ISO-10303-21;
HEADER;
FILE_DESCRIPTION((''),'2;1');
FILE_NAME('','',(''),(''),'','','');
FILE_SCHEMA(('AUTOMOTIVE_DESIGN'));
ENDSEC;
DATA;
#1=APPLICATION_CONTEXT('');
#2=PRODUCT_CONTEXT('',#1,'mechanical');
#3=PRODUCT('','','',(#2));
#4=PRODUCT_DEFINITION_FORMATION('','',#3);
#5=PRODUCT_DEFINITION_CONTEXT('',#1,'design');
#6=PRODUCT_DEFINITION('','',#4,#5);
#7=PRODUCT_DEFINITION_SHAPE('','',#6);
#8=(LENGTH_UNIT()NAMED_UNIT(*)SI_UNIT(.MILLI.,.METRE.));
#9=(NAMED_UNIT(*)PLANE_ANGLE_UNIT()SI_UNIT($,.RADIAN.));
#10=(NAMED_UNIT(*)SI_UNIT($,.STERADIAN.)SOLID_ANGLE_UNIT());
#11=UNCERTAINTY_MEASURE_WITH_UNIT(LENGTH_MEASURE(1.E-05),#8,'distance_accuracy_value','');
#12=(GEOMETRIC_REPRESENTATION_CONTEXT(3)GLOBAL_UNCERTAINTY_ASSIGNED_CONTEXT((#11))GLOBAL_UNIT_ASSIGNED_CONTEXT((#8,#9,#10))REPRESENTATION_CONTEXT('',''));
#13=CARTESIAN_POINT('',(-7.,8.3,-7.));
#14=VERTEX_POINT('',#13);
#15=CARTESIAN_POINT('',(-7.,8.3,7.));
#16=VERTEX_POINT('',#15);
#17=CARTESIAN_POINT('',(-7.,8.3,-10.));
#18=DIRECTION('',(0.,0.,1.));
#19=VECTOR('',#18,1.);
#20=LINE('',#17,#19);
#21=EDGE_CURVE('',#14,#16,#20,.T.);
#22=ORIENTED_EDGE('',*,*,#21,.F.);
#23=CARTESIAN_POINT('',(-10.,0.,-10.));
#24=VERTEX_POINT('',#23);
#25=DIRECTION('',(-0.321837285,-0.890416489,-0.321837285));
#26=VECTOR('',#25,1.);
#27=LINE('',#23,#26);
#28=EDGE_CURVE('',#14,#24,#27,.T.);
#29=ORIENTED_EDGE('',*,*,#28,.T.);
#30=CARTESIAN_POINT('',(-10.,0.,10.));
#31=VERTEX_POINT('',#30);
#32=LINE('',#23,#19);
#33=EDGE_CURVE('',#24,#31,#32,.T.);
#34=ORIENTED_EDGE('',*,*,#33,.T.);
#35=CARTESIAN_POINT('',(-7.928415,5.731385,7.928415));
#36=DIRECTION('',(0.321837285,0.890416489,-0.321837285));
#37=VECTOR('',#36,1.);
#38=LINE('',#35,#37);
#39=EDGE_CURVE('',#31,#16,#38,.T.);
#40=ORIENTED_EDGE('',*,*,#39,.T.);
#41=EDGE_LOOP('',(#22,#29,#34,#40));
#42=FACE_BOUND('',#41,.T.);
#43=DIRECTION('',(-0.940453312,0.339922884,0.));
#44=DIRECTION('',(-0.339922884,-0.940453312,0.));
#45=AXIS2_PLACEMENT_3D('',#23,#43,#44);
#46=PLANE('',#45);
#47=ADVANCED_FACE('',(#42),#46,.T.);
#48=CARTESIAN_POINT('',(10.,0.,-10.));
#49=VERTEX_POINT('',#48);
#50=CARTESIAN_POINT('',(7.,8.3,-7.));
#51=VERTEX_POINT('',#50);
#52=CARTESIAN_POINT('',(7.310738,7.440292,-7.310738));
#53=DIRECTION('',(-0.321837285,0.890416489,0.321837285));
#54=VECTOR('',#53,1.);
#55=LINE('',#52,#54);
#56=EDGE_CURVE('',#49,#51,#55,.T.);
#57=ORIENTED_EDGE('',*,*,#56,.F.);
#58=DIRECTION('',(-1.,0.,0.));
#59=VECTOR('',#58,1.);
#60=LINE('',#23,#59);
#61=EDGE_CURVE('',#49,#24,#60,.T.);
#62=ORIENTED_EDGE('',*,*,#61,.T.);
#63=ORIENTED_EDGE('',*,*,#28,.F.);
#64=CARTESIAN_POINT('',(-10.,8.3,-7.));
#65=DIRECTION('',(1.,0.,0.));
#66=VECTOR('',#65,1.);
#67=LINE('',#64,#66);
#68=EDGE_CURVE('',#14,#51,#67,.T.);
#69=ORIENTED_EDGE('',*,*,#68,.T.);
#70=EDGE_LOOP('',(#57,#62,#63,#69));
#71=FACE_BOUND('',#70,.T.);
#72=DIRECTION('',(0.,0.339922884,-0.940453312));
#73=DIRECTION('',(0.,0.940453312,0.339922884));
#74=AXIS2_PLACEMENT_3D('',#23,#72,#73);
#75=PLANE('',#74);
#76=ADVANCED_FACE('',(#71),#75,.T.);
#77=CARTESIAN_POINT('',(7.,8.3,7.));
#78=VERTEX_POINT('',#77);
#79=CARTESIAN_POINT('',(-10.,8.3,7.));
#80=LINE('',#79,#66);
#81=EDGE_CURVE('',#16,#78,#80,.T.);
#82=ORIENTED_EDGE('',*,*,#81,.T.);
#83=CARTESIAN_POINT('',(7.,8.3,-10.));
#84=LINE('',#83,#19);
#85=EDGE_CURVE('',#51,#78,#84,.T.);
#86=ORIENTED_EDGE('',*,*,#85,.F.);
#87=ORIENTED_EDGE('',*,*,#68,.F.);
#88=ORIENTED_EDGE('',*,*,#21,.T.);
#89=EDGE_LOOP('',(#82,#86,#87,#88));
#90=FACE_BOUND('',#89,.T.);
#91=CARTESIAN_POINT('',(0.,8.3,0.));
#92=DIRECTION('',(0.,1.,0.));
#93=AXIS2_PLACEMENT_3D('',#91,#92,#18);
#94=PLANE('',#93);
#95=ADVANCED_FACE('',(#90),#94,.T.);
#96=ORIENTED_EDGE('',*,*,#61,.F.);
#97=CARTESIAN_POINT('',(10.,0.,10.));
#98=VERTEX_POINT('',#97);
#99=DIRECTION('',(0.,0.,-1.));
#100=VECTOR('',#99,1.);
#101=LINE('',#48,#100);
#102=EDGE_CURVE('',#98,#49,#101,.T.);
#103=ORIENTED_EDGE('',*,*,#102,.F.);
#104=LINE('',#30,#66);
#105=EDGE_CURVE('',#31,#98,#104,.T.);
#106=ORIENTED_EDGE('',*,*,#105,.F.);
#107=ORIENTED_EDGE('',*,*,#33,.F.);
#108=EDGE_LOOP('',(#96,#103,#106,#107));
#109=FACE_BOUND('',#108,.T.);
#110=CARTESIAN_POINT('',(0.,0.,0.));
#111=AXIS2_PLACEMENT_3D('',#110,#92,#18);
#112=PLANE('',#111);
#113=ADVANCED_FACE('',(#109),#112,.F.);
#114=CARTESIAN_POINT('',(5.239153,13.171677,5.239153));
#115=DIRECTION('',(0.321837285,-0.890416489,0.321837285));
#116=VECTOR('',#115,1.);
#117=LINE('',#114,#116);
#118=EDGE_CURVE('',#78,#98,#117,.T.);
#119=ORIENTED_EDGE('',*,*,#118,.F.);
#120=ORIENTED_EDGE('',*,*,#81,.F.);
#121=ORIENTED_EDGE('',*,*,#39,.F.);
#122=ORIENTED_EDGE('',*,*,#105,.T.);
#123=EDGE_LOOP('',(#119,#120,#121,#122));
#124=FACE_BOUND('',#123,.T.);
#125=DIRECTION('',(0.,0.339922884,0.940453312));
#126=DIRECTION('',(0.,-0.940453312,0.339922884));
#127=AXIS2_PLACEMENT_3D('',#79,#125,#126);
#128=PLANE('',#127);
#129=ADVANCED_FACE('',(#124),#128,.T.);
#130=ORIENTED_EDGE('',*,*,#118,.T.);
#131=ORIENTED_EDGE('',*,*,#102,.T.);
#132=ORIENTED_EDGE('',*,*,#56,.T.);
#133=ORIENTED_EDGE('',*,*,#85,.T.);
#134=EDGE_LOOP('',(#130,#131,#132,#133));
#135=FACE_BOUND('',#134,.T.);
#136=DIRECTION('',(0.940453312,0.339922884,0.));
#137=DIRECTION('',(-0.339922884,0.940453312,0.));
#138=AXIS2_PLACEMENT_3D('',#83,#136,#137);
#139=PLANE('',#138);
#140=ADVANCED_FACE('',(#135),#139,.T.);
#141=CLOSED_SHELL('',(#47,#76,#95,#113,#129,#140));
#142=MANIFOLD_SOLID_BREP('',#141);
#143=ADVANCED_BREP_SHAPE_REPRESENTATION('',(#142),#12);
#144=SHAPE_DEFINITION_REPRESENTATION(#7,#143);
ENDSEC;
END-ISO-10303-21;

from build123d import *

# Parameters (mm, degrees)
SKETCH_1_W               = 20
SKETCH_1_H               = 20
EXTRUDE_1_DEPTH          = 8.3
SKETCH_2_OUTSIDE_W       = 27.896
SKETCH_2_OUTSIDE_H       = 16.196
CUT_EXTRUDE_1_DEPTH      = 24.851415052
CUT_EXTRUDE_2_DEPTH      = 17.397865715
CUT_EXTRUDE_2_DEPTH_BACK = 17.397865715
SKETCH_3_OUTSIDE_W       = 27.896
SKETCH_3_OUTSIDE_H       = 16.196


with BuildPart() as part:
    # 草图1 → 凸台-拉伸1 (new body)
    with BuildSketch(Plane(origin=(0, 0, 0), x_dir=(1, 0, 0), z_dir=(0, 1, 0))):
        Rectangle(SKETCH_1_W, SKETCH_1_H)
    extrude(amount=EXTRUDE_1_DEPTH)

    # 草图2 outside → 切除-拉伸1 (cut, through all)
    with BuildSketch(Plane.XY.offset(10)):
        with Locations((0, 4.15)):
            Rectangle(SKETCH_2_OUTSIDE_W, SKETCH_2_OUTSIDE_H)
        Polygon((-10, 0), (-7, 8.3), (7, 8.3), (10, 0), align=None, mode=Mode.SUBTRACT)
    extrude(amount=-CUT_EXTRUDE_1_DEPTH, mode=Mode.SUBTRACT)

    # 草图3 outside → 切除-拉伸2 (cut, two sides: drawn at the far end of the back side and taken through both)
    with BuildSketch(Plane(origin=(0, 0, 0), x_dir=(0, 0, -1), z_dir=(1, 0, 0)).offset(-CUT_EXTRUDE_2_DEPTH_BACK)):
        with Locations((0, 4.15)):
            Rectangle(SKETCH_3_OUTSIDE_W, SKETCH_3_OUTSIDE_H)
        Polygon((-10, 0), (10, 0), (7, 8.3), (-7, 8.3), align=None, mode=Mode.SUBTRACT)
    extrude(amount=CUT_EXTRUDE_2_DEPTH + CUT_EXTRUDE_2_DEPTH_BACK, mode=Mode.SUBTRACT)


solid = part.part
